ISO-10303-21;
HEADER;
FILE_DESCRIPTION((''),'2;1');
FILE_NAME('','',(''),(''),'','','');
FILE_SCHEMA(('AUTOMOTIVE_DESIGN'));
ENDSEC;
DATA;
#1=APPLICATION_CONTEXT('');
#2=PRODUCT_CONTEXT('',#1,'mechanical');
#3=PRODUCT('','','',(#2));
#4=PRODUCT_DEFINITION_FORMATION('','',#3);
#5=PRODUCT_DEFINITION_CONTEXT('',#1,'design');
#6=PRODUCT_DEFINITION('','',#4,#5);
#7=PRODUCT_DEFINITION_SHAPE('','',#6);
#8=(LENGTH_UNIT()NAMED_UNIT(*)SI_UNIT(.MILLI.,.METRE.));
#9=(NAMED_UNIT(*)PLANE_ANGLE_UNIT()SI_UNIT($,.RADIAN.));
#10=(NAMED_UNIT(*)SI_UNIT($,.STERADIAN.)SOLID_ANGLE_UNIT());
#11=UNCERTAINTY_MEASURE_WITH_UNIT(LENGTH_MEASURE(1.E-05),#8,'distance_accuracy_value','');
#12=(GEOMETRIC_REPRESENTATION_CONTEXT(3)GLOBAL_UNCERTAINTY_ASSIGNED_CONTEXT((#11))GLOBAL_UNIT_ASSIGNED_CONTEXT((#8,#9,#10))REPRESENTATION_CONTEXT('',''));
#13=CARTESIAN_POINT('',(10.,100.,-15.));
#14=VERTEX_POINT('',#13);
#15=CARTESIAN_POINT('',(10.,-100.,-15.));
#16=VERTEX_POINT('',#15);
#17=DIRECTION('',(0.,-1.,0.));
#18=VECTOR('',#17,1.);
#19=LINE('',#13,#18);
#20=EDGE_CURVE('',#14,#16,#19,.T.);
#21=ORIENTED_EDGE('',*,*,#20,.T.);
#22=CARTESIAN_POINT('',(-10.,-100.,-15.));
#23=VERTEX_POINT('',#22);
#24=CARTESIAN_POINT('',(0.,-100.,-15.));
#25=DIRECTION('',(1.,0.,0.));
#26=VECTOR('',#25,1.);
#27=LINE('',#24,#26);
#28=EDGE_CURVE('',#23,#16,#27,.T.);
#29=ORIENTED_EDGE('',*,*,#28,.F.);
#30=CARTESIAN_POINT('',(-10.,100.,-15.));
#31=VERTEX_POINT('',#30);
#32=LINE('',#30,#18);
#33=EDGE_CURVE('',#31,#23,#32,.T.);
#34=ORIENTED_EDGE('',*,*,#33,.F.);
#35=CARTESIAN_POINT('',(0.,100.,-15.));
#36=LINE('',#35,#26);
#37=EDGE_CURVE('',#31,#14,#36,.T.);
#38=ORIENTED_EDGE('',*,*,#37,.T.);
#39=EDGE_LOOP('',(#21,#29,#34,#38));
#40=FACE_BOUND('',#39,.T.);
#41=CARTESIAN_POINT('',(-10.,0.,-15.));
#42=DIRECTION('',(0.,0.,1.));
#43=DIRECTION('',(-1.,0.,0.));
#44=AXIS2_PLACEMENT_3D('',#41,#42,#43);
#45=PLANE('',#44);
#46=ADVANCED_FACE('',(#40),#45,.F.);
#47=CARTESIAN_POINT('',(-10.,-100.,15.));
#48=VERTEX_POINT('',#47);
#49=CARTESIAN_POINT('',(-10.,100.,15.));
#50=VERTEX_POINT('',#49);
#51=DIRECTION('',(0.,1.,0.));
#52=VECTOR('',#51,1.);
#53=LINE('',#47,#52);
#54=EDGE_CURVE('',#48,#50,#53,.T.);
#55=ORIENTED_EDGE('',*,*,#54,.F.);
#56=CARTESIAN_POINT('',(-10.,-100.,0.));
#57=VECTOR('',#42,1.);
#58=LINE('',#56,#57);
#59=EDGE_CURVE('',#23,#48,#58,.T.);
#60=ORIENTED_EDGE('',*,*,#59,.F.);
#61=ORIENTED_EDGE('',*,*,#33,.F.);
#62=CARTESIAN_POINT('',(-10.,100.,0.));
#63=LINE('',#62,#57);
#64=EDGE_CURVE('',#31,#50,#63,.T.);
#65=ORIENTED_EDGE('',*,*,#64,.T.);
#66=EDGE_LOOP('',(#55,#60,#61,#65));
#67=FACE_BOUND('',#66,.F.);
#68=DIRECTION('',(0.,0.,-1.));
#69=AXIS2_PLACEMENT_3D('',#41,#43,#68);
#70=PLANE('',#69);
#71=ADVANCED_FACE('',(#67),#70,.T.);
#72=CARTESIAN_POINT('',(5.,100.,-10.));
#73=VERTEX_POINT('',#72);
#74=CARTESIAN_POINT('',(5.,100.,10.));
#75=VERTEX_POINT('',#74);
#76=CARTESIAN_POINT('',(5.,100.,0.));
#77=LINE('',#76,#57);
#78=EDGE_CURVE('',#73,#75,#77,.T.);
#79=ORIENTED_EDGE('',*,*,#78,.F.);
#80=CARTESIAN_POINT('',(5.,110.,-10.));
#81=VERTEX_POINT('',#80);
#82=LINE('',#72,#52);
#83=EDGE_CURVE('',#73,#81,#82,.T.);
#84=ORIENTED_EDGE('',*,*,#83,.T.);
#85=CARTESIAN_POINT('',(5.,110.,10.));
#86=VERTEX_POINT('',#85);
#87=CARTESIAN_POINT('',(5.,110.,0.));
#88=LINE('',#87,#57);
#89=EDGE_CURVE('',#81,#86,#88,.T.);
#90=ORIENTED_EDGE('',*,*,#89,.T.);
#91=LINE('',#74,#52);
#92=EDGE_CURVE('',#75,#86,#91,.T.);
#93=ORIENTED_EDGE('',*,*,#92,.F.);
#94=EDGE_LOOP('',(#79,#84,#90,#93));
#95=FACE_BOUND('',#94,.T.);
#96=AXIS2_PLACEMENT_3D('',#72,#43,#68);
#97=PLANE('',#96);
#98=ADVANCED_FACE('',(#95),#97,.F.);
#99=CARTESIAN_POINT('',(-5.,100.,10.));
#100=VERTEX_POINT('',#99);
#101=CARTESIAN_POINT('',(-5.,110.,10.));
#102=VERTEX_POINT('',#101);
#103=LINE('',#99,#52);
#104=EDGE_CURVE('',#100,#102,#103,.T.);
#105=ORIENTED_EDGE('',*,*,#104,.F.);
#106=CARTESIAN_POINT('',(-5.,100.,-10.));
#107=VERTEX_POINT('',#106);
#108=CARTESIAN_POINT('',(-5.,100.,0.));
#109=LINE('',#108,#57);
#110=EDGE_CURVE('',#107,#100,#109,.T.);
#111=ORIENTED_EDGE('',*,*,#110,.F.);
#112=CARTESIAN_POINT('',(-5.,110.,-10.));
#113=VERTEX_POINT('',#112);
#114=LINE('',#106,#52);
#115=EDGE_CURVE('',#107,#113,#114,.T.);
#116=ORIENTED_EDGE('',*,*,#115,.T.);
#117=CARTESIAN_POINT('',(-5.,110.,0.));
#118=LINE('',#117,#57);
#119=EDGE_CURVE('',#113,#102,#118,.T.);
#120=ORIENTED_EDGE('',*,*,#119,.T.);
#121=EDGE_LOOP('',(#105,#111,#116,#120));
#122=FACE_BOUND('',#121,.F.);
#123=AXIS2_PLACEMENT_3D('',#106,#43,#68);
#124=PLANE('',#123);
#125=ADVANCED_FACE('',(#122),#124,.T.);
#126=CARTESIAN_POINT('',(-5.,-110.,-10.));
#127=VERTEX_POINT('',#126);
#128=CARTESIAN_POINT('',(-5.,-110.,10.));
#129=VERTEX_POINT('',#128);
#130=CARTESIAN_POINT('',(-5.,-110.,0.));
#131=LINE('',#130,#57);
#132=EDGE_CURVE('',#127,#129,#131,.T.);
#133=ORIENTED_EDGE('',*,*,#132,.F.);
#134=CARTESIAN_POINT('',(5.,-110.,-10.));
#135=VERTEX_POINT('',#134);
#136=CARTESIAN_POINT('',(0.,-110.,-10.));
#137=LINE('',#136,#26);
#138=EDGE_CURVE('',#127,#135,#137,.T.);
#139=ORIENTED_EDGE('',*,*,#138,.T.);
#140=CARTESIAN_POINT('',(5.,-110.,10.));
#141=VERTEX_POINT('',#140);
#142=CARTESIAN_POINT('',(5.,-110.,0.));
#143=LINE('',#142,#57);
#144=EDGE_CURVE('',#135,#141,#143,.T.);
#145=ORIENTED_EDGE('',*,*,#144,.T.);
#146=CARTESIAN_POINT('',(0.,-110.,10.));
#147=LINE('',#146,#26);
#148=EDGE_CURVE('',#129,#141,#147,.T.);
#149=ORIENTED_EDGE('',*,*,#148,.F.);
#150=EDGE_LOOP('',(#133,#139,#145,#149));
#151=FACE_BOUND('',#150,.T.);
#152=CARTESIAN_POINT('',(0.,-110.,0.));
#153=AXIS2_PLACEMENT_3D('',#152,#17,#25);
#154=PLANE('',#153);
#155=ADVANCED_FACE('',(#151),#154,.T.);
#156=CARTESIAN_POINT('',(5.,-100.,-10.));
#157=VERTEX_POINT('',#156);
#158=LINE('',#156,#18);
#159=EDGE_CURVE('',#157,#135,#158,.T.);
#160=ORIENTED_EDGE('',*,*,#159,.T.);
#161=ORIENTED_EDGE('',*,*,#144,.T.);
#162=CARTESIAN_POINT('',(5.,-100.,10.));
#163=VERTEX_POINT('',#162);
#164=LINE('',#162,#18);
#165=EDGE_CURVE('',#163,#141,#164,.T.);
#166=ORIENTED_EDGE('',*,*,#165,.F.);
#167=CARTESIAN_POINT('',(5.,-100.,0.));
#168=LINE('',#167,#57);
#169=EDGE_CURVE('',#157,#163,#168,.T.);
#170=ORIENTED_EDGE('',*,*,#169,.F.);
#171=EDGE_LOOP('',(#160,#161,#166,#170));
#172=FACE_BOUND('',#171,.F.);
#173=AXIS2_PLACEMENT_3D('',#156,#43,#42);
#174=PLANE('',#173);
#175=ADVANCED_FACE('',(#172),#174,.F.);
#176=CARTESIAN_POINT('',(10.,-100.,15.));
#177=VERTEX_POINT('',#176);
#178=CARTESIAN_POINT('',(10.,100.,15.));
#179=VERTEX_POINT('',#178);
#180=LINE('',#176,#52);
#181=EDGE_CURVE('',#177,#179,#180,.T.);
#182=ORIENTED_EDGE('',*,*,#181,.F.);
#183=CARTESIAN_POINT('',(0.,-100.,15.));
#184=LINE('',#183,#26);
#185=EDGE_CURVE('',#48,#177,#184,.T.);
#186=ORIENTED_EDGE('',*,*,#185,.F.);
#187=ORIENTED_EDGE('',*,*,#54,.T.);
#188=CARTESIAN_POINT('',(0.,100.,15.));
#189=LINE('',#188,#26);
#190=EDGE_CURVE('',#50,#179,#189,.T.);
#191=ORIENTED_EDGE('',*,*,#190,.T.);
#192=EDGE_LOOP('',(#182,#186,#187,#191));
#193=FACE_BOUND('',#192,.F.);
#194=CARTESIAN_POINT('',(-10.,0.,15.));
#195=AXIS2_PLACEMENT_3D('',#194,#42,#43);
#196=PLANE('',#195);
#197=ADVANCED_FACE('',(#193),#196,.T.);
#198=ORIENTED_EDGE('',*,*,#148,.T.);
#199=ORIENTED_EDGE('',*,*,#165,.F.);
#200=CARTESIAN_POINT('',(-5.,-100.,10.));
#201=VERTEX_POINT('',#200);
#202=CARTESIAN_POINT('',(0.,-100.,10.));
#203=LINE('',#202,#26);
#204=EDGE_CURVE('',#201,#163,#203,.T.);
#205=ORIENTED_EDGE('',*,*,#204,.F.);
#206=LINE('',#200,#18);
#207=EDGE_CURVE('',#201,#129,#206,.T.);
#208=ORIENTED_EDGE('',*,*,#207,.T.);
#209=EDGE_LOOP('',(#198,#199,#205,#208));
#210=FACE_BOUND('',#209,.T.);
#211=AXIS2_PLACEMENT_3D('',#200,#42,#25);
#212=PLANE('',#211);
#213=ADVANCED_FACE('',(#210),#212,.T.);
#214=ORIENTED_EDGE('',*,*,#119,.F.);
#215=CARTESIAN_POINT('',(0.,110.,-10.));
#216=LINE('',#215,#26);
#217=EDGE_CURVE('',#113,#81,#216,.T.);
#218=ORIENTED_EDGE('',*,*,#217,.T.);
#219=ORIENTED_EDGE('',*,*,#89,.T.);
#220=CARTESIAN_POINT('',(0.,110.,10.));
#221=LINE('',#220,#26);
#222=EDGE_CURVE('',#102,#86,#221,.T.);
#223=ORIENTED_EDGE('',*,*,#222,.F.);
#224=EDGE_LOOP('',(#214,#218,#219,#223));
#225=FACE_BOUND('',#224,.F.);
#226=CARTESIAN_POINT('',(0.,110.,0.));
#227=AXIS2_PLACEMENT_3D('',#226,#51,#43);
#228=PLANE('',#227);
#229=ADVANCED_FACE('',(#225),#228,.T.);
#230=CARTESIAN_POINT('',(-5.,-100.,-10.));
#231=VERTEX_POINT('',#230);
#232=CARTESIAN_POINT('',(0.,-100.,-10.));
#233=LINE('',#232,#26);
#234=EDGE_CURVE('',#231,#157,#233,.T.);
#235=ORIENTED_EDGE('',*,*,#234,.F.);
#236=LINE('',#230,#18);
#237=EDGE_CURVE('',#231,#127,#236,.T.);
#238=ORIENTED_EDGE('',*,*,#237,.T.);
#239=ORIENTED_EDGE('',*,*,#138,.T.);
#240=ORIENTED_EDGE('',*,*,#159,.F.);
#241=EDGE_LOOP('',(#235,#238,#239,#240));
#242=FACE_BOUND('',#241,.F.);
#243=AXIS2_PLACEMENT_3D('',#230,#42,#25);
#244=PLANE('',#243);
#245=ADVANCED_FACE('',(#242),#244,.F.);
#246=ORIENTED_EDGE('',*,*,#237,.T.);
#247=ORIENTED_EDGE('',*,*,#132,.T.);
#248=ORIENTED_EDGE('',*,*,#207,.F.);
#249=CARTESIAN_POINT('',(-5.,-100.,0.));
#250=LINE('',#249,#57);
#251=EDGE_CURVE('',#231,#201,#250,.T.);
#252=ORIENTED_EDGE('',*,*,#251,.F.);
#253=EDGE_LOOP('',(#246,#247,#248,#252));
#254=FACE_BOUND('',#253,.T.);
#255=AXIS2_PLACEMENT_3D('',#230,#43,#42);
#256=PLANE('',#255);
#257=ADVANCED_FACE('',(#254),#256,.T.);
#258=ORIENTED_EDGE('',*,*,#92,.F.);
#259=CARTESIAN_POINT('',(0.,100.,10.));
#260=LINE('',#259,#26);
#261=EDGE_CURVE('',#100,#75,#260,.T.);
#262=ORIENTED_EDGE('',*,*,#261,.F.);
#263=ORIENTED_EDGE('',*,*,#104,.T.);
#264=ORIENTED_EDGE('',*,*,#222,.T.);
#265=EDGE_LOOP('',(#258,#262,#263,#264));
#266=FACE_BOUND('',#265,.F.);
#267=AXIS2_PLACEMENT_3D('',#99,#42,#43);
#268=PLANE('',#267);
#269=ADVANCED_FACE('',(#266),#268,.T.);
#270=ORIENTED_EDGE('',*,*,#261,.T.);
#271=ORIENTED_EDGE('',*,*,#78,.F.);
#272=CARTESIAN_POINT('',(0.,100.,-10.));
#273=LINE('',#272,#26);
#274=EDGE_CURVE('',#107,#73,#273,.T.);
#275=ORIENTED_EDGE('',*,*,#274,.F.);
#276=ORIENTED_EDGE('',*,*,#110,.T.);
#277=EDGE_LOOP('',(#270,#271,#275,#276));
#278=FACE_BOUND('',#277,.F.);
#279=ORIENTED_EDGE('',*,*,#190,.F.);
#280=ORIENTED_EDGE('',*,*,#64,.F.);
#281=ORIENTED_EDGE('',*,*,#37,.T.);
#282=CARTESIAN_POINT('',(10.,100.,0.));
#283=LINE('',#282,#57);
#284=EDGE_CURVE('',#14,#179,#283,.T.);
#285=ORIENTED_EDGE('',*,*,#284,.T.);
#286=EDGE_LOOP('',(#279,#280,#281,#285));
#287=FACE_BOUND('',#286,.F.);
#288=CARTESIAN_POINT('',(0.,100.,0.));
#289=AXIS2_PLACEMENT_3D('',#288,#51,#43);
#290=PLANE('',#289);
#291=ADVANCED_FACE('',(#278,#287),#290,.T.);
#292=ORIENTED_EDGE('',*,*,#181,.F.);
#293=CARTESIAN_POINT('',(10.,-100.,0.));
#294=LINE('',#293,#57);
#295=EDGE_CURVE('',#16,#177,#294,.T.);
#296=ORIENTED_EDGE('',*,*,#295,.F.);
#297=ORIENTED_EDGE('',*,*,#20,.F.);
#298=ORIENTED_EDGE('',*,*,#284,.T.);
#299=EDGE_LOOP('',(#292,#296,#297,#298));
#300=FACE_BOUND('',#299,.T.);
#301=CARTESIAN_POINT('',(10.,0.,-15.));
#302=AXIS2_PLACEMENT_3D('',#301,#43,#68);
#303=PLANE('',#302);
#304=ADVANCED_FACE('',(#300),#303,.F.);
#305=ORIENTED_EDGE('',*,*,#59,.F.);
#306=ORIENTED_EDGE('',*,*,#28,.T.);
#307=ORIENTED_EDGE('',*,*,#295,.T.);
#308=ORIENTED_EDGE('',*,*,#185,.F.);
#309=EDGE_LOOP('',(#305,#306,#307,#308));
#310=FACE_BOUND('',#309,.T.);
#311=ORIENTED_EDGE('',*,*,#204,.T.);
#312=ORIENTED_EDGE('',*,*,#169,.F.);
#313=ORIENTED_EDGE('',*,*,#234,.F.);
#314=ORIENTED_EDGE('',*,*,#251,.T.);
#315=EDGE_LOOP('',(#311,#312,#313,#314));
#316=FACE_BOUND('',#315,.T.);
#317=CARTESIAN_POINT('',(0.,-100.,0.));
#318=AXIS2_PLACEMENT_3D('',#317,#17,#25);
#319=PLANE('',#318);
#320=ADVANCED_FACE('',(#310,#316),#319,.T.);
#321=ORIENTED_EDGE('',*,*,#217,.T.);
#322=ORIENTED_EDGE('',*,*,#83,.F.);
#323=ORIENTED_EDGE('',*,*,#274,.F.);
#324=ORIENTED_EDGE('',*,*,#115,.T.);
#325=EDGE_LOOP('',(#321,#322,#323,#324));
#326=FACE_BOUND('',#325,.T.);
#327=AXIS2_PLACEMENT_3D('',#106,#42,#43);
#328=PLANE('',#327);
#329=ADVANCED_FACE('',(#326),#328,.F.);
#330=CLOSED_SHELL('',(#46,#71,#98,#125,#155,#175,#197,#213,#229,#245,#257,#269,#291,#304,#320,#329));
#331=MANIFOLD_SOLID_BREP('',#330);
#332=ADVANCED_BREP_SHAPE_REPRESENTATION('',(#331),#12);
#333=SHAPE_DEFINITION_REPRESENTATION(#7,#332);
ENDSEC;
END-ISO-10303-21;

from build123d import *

# Parameters (mm, degrees)
F0_W     = 20
F0_H     = 30
F1_DEPTH = 100
F2_W     = 10
F2_H     = 20
F3_DEPTH = 10


with BuildPart() as f1:
    # F0 (on Front) → F1 (new body)
    with BuildSketch(Plane.XZ):
        Rectangle(F0_W, F0_H)
    extrude(amount=F1_DEPTH)

    # F2 (on face) → F3 (join)
    with BuildSketch(Plane.XZ.offset(100)):
        Rectangle(F2_W, F2_H)
    extrude(amount=F3_DEPTH)

    # F4: F1 across plane


with BuildPart() as f1_1:
    add(f1.part)
    add(f1.part.mirror(Plane.XZ))


solid = f1_1.part
